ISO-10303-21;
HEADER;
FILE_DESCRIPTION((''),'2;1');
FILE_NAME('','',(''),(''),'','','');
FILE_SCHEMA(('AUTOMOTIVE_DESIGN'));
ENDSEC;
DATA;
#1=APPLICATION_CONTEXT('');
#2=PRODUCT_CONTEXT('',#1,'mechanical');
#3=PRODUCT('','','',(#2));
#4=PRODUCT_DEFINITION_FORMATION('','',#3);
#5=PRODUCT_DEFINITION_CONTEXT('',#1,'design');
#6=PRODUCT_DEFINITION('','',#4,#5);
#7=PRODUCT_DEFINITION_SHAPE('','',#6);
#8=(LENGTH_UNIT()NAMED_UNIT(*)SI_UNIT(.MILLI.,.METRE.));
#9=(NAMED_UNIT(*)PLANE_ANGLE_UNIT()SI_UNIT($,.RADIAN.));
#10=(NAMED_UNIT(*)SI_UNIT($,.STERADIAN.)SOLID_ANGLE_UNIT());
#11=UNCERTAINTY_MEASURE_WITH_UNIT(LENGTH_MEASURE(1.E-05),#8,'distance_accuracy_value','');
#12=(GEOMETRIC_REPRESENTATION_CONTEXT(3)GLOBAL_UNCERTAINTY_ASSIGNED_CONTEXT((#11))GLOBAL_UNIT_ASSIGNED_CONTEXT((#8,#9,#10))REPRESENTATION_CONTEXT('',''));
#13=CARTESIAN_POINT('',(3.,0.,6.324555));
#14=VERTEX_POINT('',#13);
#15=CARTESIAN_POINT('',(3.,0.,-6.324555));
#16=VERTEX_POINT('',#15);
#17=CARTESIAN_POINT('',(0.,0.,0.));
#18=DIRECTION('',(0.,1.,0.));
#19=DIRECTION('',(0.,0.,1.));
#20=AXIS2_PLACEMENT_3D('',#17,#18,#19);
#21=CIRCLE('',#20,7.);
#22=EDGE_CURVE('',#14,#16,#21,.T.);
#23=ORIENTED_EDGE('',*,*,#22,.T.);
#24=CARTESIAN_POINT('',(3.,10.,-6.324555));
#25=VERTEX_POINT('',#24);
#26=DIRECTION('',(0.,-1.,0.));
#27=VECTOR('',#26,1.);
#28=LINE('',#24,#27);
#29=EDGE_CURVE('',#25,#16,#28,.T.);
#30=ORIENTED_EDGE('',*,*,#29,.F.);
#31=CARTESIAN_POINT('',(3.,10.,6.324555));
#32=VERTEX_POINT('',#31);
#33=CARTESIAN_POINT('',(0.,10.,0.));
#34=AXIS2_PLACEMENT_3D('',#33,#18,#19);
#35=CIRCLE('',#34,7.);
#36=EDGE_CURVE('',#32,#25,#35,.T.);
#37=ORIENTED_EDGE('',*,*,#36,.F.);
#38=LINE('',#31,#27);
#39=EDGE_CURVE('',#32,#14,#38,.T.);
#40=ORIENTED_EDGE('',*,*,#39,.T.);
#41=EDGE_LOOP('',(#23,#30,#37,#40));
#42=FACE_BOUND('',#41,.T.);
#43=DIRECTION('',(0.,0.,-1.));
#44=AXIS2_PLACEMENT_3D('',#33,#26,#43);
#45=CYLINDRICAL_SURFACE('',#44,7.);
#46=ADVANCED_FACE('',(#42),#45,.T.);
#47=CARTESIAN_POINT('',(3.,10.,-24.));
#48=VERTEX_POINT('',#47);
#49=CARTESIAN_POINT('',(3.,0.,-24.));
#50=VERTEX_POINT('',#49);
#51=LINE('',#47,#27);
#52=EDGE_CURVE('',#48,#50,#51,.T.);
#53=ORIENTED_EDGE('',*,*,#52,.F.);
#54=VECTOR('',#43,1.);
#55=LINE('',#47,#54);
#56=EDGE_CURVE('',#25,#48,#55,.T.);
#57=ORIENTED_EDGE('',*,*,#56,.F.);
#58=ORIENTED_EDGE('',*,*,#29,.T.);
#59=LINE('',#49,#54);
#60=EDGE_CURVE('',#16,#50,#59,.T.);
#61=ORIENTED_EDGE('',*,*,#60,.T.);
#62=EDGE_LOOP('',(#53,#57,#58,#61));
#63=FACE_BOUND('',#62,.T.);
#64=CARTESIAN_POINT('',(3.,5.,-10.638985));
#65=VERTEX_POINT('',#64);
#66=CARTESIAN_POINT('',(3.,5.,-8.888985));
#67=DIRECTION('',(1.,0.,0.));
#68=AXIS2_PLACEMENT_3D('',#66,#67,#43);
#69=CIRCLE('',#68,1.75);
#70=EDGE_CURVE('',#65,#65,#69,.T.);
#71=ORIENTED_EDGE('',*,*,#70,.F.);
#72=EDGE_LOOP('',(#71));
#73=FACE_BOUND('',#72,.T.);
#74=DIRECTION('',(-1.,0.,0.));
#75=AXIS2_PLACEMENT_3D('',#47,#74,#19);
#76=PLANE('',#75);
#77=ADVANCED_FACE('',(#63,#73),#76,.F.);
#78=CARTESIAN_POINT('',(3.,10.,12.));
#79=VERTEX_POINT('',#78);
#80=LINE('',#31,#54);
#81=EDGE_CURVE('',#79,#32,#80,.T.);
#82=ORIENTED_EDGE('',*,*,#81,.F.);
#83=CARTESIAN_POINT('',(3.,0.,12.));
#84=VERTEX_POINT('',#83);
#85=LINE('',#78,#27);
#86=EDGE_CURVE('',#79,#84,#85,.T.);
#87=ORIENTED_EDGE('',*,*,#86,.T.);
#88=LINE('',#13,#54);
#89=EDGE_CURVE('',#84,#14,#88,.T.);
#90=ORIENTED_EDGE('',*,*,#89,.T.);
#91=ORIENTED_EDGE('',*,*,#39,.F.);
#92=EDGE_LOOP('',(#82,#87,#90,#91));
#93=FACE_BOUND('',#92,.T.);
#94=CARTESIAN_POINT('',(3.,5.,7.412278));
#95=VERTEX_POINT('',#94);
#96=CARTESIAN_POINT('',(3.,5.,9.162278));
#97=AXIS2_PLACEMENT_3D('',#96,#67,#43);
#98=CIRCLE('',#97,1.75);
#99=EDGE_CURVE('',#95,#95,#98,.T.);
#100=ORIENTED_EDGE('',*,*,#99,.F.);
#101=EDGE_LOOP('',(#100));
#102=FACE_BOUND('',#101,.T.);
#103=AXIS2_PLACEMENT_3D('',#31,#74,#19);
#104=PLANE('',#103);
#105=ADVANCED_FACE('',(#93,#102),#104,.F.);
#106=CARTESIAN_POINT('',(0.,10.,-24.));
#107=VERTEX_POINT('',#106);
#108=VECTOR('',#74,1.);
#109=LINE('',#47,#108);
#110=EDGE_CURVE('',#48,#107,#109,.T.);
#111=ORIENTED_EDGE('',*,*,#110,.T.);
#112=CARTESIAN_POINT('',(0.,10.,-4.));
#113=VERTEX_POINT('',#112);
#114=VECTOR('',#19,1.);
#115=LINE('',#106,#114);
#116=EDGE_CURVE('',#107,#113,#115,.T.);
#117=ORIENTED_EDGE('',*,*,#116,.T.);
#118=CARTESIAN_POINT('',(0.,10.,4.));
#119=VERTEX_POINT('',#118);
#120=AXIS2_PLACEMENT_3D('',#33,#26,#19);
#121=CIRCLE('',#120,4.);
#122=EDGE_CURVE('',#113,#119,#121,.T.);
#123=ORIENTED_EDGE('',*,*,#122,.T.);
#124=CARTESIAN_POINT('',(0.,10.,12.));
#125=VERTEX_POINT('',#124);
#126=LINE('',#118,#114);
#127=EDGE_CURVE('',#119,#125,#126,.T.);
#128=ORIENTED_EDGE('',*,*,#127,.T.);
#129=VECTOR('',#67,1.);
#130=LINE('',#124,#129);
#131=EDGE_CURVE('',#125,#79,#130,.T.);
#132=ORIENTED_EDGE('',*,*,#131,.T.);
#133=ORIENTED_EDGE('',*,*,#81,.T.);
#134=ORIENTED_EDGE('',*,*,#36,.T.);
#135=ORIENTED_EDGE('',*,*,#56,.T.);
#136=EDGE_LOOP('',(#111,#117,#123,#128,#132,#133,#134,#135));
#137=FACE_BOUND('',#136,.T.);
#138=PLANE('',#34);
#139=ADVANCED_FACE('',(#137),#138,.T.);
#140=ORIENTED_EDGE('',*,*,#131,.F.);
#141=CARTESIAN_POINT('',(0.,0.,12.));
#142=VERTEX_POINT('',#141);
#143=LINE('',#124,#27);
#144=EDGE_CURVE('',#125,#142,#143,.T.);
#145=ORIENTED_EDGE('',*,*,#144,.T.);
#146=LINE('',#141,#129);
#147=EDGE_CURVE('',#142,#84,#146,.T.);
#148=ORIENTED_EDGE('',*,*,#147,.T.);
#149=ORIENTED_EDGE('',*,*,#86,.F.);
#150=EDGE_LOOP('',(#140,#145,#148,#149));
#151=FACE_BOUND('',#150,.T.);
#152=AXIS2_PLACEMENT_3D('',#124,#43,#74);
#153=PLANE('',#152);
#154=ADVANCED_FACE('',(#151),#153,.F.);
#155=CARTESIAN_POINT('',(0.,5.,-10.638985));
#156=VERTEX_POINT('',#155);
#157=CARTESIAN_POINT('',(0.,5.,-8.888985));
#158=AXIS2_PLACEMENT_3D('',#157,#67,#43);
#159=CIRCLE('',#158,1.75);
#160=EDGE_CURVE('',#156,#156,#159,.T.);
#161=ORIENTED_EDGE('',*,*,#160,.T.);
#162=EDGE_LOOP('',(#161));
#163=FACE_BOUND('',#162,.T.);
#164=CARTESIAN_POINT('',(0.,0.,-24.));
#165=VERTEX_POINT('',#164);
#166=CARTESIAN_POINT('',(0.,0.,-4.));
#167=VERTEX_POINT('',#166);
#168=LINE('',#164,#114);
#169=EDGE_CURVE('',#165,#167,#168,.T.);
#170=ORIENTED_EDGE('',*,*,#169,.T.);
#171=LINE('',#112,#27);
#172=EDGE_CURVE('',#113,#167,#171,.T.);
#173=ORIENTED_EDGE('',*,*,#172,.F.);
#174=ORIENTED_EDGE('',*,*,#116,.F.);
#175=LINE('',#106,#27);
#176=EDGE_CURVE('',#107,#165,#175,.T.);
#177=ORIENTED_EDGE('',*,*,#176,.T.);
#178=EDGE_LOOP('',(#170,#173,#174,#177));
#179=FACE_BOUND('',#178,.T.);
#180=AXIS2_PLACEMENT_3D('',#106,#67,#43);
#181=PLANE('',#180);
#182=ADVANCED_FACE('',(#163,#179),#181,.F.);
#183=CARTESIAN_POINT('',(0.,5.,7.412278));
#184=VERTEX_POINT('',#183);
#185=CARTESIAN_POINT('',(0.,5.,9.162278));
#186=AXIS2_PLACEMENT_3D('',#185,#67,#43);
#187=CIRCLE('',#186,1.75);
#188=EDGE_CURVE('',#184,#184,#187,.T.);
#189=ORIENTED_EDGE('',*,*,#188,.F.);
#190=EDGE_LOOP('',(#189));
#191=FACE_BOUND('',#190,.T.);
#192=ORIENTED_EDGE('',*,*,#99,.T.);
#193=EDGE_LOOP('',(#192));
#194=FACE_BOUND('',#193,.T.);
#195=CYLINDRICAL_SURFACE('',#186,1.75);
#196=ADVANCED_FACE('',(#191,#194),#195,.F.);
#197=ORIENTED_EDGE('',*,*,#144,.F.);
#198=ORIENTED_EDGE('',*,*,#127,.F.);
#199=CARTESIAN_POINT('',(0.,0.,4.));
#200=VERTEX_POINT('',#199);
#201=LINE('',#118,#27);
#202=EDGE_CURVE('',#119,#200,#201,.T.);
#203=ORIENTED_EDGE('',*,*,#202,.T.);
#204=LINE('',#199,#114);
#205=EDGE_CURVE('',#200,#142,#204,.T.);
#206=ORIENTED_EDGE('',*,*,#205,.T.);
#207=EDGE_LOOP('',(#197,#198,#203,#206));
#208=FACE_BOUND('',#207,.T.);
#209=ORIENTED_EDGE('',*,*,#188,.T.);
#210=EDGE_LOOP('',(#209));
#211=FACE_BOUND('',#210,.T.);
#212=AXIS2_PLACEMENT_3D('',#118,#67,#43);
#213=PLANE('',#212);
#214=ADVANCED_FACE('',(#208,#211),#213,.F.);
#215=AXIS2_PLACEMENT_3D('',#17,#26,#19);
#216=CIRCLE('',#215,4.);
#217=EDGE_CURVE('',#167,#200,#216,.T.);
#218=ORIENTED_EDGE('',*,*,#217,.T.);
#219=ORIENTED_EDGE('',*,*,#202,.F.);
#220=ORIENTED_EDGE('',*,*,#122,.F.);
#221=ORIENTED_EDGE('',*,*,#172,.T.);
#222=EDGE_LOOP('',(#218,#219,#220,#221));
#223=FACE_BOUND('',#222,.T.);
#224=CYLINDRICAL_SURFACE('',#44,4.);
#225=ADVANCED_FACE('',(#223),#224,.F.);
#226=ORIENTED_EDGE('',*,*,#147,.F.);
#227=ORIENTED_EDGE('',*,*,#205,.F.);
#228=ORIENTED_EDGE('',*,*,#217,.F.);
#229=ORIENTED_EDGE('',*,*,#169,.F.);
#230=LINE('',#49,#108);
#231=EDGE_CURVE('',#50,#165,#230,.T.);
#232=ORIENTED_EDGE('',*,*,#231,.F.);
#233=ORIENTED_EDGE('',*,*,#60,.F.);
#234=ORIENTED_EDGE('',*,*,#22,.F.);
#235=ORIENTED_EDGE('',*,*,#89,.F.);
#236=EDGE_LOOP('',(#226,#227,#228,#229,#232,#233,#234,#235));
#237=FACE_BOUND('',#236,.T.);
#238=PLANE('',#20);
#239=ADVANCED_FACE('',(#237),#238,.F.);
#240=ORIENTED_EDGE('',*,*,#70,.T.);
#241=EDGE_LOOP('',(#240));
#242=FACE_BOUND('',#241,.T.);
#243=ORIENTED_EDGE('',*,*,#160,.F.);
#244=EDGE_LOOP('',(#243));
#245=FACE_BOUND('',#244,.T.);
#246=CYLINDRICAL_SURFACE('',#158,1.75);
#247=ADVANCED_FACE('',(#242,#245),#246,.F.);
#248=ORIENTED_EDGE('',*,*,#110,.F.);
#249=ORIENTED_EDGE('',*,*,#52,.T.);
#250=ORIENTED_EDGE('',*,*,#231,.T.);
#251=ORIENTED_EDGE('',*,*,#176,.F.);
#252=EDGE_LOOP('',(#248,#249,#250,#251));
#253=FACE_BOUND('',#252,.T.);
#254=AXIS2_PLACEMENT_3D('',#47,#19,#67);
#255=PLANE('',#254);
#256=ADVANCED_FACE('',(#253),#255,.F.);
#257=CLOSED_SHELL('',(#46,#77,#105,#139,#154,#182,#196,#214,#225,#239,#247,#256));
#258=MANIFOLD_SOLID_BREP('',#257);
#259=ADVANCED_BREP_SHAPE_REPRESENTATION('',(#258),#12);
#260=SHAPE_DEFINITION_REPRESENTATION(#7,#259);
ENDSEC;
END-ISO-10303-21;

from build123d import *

# Parameters (mm, degrees)
EXTRUDE_1_DEPTH     = 10
SKETCH_2_R          = 1.75
CUT_EXTRUDE_1_DEPTH = 27.305892876


with BuildPart() as part:
    # 草图1 → 凸台-拉伸1 (new body)
    with BuildSketch(Plane(origin=(0, 0, 0), x_dir=(1, 0, 0), z_dir=(0, 1, 0))):
        with BuildLine():
            Line((0, 24), (0, 4))
            ThreePointArc((0, 4), (4, 0), (0, -4))
            Line((0, -4), (0, -12))
            Line((0, -12), (3, -12))
            Line((3, -12), (3, -6.32455532))
            ThreePointArc((3, -6.32455532), (7, 0), (3, 6.32455532))
            Line((3, 6.32455532), (3, 24))
            Line((3, 24), (0, 24))
        make_face()
    extrude(amount=EXTRUDE_1_DEPTH)

    # 草图2 → 切除-拉伸1 (cut, through all)
    with BuildSketch(Plane(origin=(3, 0, 0), x_dir=(0, 0, -1), z_dir=(1, 0, 0))):
        with Locations((-9.16227766, 5)):
            Circle(SKETCH_2_R)
        with Locations((8.888984546, 5)):
            Circle(SKETCH_2_R)
    extrude(amount=-CUT_EXTRUDE_1_DEPTH, mode=Mode.SUBTRACT)


solid = part.part
